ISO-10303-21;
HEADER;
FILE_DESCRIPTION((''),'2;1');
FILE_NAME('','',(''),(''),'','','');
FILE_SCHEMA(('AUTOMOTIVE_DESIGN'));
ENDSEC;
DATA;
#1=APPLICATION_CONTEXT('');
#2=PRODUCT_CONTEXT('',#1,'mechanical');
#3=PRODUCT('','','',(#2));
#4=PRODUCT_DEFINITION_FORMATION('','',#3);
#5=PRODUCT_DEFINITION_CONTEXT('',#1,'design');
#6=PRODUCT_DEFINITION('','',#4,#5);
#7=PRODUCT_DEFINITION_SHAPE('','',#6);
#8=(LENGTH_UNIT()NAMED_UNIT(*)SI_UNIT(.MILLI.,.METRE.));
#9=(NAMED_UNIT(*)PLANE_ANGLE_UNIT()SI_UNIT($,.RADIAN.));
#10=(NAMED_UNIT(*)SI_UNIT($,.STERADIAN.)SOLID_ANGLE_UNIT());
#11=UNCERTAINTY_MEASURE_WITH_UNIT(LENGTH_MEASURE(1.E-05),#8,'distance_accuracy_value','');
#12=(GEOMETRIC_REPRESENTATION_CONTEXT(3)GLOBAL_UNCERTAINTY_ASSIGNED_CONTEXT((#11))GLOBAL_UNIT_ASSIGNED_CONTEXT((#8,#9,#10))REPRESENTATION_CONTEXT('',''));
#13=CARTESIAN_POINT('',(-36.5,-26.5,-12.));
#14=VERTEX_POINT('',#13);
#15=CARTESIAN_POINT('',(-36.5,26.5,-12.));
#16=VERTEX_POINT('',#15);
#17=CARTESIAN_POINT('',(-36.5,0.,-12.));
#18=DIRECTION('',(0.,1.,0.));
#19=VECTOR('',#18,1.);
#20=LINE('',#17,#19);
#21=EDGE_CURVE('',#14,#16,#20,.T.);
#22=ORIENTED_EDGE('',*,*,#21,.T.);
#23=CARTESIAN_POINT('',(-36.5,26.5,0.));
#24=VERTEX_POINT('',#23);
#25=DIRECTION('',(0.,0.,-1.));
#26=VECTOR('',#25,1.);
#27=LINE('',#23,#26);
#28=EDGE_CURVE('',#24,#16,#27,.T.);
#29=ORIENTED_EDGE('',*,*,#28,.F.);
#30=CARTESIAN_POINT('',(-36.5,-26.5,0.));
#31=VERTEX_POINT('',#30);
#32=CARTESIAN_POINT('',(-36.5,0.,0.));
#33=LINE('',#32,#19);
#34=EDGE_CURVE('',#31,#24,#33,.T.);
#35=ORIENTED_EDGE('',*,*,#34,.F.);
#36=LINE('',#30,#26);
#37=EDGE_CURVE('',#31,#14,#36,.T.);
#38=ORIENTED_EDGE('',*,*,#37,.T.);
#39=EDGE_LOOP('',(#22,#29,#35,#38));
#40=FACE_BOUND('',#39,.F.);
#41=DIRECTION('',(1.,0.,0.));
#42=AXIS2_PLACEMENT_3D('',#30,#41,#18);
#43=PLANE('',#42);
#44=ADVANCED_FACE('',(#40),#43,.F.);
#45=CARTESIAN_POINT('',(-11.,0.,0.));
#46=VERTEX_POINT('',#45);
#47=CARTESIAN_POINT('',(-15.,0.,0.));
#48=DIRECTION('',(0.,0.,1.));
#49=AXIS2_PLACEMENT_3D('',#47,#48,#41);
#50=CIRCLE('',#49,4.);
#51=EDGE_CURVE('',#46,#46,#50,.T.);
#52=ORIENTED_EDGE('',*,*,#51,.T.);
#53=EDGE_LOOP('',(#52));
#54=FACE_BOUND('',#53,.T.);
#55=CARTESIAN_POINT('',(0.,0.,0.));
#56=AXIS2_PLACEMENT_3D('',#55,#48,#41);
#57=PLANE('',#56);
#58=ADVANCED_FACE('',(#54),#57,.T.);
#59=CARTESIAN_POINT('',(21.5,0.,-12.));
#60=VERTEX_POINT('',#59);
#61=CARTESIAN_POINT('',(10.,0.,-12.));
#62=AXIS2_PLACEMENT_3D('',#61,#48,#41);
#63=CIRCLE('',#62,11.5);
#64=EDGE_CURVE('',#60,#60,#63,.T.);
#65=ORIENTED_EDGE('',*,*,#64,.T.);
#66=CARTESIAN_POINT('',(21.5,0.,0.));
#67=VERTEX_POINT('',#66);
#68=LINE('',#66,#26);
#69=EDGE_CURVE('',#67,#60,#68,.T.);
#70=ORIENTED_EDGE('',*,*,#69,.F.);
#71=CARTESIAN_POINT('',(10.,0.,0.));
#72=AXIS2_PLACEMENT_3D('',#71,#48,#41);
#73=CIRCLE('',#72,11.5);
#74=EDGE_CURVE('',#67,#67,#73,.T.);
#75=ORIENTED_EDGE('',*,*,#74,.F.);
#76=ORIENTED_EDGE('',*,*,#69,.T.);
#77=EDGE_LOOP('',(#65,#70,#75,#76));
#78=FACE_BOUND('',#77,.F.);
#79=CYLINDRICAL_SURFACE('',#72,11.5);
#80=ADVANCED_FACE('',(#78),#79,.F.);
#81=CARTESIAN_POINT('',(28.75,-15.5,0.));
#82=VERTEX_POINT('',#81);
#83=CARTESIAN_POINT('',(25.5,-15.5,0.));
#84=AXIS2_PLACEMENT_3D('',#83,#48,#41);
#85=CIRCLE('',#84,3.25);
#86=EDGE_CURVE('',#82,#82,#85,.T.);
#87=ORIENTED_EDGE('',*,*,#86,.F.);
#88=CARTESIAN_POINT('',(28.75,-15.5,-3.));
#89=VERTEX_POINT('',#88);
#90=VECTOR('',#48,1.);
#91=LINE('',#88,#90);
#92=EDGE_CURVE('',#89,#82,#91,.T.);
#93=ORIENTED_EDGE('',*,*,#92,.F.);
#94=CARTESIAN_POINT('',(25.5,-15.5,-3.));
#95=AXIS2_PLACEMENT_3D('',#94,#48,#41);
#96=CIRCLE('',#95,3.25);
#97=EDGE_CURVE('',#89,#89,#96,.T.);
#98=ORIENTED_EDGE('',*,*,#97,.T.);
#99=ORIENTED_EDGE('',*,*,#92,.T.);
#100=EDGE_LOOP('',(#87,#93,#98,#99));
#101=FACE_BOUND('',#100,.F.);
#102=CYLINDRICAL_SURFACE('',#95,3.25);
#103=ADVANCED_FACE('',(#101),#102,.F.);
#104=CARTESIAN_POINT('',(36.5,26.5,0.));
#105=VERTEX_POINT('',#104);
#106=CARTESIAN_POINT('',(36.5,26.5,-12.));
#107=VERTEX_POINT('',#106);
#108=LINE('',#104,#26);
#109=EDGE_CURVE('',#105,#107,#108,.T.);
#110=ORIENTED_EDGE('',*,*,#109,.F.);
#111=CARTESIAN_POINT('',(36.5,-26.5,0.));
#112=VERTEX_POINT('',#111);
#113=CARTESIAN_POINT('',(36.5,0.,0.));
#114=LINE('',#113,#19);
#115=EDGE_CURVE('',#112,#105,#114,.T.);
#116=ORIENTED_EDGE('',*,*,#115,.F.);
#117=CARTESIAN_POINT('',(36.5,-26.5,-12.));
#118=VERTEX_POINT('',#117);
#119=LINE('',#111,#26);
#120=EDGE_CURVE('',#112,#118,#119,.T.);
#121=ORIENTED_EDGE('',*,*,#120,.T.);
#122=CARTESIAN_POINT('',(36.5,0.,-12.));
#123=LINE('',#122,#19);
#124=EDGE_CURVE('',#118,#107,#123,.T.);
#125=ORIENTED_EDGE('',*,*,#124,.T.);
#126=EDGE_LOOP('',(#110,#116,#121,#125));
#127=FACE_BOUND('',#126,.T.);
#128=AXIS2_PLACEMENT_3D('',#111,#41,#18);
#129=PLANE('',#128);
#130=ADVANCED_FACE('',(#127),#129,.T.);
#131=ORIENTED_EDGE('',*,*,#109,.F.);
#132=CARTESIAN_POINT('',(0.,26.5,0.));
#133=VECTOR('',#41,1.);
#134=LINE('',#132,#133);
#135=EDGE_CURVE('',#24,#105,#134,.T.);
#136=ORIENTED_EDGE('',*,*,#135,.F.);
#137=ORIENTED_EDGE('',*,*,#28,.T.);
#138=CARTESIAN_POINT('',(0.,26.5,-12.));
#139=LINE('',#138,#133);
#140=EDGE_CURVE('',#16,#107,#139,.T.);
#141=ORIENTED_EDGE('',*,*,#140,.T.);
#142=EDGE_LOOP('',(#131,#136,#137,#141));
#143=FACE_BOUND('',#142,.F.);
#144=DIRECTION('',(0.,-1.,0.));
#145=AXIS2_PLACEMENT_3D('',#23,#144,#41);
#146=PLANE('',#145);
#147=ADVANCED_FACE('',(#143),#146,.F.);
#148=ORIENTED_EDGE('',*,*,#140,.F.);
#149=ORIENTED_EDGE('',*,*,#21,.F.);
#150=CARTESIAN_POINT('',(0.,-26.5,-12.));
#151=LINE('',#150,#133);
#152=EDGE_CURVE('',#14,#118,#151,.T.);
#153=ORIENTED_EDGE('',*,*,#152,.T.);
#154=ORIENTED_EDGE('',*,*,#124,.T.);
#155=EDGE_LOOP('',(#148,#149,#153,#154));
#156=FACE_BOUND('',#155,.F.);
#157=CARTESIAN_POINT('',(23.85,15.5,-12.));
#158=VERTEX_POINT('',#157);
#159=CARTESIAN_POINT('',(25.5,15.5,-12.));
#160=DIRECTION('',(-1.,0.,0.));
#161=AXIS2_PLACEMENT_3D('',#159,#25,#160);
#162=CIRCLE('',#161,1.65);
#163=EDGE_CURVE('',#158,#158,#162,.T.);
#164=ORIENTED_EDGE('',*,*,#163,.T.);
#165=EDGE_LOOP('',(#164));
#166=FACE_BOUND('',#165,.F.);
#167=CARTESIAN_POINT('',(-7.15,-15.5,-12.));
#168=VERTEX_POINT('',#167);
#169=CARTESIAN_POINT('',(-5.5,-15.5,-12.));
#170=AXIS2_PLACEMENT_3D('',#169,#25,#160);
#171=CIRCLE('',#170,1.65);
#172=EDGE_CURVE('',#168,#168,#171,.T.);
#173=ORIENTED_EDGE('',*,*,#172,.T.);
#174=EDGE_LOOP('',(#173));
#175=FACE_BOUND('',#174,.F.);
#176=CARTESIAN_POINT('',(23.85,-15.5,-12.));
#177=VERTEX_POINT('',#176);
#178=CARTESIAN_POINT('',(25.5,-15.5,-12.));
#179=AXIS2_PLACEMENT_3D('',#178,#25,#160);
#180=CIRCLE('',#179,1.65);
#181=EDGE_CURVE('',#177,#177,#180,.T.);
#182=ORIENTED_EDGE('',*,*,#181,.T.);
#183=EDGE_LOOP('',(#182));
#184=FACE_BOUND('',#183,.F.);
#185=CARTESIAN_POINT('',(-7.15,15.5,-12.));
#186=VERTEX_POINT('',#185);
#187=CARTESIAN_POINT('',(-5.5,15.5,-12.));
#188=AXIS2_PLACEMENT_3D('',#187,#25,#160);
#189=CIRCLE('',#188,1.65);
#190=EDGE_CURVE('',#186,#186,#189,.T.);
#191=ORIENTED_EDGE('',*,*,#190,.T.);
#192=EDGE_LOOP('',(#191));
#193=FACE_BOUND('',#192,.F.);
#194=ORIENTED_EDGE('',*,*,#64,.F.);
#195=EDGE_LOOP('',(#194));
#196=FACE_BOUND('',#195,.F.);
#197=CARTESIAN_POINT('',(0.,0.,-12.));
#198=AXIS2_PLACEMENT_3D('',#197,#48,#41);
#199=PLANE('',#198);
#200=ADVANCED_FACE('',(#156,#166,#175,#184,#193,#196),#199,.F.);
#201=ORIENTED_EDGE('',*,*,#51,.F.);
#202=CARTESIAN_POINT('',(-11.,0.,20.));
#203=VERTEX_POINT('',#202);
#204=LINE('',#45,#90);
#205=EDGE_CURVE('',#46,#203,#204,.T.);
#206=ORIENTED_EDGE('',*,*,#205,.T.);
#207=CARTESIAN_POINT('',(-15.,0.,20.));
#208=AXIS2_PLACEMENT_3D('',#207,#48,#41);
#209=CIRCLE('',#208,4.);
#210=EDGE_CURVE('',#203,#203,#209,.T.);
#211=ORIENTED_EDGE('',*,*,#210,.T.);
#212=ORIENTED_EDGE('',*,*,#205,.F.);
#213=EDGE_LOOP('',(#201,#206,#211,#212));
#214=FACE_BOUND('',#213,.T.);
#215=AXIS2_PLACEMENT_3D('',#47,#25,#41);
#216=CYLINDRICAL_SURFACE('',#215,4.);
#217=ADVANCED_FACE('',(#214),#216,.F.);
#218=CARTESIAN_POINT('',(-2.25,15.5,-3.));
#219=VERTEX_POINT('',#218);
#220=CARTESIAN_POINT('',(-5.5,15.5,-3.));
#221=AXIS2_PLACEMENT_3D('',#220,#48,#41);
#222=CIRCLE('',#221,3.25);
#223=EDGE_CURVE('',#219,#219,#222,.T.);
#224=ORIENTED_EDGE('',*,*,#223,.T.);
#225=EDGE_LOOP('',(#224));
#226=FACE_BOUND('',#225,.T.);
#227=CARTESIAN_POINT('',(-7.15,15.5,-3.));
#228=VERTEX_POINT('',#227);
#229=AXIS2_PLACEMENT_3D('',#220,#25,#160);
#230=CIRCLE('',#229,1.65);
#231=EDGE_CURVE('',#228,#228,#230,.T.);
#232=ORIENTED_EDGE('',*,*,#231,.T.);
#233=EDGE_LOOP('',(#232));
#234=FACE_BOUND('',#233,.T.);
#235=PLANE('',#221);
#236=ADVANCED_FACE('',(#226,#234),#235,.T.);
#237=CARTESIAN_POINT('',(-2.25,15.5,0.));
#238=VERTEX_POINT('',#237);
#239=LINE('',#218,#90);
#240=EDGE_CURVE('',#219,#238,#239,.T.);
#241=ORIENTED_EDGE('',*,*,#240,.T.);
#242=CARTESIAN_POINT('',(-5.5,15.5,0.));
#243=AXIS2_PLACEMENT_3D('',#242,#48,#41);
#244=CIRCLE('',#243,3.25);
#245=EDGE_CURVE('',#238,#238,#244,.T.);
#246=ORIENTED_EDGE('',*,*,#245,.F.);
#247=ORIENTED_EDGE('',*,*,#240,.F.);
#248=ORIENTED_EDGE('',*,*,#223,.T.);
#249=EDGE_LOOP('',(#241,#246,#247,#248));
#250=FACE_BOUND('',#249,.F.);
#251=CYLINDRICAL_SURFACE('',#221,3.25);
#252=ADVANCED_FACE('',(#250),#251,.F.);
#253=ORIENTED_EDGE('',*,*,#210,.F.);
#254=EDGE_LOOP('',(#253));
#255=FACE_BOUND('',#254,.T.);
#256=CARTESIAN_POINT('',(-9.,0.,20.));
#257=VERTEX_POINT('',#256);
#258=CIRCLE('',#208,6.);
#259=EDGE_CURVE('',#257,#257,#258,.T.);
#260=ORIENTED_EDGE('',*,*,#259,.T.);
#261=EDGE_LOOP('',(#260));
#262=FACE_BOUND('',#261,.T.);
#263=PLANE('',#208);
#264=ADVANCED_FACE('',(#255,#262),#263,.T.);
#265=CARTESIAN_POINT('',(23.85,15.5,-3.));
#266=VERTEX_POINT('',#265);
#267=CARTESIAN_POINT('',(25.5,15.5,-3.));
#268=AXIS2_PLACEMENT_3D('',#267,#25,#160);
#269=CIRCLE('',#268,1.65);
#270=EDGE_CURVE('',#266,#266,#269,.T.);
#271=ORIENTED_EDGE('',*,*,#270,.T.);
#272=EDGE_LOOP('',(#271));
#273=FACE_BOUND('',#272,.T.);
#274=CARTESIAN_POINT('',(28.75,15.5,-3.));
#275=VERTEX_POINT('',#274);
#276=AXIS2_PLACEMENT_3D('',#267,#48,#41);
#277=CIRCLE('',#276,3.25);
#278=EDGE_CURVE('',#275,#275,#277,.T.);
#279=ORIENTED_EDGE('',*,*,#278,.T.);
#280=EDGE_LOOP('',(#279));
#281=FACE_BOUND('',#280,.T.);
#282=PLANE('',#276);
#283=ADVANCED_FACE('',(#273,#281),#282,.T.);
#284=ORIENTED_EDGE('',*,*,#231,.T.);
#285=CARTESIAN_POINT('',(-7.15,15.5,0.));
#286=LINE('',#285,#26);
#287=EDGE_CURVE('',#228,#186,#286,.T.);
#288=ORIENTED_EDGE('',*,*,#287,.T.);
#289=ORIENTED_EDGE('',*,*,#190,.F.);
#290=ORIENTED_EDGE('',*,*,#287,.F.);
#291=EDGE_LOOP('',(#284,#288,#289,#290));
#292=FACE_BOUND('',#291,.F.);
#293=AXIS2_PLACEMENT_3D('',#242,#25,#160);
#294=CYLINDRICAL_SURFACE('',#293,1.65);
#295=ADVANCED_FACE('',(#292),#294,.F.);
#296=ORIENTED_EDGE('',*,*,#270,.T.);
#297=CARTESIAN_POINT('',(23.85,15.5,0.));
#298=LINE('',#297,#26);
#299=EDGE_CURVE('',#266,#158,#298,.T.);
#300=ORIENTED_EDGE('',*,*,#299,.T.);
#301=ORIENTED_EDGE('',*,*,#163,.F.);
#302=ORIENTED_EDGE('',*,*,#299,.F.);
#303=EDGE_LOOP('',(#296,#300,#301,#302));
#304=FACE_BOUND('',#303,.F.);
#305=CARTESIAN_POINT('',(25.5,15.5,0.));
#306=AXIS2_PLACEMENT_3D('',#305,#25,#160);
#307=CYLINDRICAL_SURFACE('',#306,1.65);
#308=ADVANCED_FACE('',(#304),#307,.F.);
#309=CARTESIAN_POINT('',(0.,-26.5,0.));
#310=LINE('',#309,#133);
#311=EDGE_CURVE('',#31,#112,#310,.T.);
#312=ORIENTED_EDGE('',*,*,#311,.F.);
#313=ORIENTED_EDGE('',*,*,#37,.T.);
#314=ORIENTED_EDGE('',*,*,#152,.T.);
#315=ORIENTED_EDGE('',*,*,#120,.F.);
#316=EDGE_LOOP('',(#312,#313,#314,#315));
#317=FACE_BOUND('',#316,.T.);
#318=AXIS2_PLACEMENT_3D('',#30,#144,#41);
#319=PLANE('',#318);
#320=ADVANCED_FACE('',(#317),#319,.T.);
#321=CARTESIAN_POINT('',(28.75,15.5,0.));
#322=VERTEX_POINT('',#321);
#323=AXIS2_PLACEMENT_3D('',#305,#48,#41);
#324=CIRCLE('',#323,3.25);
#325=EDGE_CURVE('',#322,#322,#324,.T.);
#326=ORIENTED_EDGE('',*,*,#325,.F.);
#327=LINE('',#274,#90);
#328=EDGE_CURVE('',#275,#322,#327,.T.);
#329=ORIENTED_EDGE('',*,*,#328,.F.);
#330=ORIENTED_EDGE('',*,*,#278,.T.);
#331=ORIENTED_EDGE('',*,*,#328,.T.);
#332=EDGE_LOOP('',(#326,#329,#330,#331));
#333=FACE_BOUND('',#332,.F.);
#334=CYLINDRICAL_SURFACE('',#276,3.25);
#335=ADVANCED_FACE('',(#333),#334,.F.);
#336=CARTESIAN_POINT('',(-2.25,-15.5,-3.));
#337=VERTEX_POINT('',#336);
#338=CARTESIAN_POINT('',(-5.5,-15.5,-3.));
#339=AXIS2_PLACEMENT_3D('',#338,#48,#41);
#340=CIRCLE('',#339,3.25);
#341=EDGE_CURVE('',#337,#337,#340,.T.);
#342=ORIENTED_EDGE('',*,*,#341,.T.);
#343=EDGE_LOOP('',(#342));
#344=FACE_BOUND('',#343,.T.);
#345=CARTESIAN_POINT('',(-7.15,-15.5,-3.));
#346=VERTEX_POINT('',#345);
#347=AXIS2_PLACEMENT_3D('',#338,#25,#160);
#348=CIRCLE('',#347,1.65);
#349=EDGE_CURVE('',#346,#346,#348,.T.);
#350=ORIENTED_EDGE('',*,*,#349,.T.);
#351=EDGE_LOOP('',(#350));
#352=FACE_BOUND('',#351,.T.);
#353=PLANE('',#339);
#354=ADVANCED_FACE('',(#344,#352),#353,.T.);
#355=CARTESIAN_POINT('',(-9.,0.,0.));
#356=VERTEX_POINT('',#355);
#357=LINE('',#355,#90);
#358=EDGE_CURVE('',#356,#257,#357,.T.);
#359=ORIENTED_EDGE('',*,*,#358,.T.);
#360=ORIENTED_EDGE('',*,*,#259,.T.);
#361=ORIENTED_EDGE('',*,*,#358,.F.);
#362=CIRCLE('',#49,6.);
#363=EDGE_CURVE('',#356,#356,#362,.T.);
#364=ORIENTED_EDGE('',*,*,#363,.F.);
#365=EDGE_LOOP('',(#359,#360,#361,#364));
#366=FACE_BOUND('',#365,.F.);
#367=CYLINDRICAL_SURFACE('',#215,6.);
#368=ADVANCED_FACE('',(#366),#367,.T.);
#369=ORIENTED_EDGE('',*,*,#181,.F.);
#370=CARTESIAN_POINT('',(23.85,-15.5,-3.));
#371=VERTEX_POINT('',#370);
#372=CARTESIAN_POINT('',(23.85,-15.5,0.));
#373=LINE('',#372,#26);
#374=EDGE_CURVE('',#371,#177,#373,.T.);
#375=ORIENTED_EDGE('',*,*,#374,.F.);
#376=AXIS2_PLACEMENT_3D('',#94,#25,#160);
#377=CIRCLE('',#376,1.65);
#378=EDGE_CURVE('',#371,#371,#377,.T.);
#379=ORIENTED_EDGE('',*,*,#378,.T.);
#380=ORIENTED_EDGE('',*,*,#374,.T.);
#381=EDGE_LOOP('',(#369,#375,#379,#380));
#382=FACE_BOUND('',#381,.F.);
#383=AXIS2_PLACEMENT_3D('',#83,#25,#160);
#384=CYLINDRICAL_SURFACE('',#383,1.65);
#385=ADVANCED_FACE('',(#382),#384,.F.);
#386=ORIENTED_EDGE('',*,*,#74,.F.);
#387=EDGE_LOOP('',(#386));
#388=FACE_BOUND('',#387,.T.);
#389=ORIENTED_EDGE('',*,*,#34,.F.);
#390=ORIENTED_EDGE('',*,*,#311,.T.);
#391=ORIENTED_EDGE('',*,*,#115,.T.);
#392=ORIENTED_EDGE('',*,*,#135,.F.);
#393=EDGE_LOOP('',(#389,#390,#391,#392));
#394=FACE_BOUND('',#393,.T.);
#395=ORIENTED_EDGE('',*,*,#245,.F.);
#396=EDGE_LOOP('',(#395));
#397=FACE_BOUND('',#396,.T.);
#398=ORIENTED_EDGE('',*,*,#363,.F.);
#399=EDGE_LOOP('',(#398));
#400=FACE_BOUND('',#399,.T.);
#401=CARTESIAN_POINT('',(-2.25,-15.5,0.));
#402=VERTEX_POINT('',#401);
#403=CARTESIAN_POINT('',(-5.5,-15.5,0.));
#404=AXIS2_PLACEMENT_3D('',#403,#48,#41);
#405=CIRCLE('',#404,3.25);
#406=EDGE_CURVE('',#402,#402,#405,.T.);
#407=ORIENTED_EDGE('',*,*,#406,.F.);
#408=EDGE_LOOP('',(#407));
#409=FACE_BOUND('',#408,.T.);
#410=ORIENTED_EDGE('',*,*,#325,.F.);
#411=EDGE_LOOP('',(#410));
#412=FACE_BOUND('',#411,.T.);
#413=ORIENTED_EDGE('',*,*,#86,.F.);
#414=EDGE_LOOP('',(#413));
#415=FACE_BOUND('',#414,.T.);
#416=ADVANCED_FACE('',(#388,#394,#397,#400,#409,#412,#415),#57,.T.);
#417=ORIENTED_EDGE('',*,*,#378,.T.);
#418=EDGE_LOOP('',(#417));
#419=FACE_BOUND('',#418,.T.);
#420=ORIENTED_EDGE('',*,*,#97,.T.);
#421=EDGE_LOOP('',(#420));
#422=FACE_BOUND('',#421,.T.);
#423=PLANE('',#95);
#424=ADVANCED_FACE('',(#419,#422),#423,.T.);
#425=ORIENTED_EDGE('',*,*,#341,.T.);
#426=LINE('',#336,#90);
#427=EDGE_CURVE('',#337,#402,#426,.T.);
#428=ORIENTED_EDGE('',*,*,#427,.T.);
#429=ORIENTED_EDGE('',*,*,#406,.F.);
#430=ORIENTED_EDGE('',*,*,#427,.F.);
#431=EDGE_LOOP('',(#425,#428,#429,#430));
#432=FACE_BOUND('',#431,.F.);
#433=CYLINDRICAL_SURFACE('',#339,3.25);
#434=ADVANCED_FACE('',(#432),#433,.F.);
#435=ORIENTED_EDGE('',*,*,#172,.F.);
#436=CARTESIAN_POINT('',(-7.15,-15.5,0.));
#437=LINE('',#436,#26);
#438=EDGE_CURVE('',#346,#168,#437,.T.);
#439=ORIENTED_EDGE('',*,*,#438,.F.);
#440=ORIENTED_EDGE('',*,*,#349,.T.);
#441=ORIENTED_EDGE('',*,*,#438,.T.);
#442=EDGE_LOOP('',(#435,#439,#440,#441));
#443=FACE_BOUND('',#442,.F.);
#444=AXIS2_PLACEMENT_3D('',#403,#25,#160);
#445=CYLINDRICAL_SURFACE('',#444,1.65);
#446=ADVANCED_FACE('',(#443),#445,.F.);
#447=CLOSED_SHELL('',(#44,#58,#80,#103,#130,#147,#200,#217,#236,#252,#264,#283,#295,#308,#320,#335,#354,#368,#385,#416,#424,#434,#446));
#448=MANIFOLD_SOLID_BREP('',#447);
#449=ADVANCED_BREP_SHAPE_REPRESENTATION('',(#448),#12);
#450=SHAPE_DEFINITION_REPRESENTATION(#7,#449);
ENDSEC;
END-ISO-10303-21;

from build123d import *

# Parameters (mm, degrees)
F0_W           = 73
F0_H           = 53
F0_R           = 6
F0_R_2         = 11.5
F0_R_3         = 4
F1_DEPTH       = 12
F2_DEPTH       = 20
F3_D           = 3.3
F3_CBORE_D     = 6.5
F3_CBORE_DEPTH = 3


with BuildPart() as f1:
    # F0 (on Top) → F1 (new body)
    with BuildSketch(Plane.XY):
        Rectangle(F0_W, F0_H)
        with Locations((-15, 0)):
            Circle(F0_R, mode=Mode.SUBTRACT)
        with Locations((10, 0)):
            Circle(F0_R_2, mode=Mode.SUBTRACT)
        with Locations((-15, 0)):
            Circle(F0_R)
        with Locations((-15, 0)):
            Circle(F0_R_3, mode=Mode.SUBTRACT)
        with Locations((-15, 0)):
            Circle(F0_R_3)
    extrude(amount=-F1_DEPTH)

    # F0 (on Top) → F2 (join)
    with BuildSketch(Plane.XY):
        with Locations((-15, 0)):
            Circle(F0_R)
        with Locations((-15, 0)):
            Circle(F0_R_3, mode=Mode.SUBTRACT)
    extrude(amount=F2_DEPTH)

    # F3 (through all)
    with Locations(Plane.XY):
        with Locations((-5.5, 15.5), (25.5, 15.5), (25.5, -15.5), (-5.5, -15.5)):
            CounterBoreHole(F3_D / 2, F3_CBORE_D / 2, F3_CBORE_DEPTH)


solid = f1.part
